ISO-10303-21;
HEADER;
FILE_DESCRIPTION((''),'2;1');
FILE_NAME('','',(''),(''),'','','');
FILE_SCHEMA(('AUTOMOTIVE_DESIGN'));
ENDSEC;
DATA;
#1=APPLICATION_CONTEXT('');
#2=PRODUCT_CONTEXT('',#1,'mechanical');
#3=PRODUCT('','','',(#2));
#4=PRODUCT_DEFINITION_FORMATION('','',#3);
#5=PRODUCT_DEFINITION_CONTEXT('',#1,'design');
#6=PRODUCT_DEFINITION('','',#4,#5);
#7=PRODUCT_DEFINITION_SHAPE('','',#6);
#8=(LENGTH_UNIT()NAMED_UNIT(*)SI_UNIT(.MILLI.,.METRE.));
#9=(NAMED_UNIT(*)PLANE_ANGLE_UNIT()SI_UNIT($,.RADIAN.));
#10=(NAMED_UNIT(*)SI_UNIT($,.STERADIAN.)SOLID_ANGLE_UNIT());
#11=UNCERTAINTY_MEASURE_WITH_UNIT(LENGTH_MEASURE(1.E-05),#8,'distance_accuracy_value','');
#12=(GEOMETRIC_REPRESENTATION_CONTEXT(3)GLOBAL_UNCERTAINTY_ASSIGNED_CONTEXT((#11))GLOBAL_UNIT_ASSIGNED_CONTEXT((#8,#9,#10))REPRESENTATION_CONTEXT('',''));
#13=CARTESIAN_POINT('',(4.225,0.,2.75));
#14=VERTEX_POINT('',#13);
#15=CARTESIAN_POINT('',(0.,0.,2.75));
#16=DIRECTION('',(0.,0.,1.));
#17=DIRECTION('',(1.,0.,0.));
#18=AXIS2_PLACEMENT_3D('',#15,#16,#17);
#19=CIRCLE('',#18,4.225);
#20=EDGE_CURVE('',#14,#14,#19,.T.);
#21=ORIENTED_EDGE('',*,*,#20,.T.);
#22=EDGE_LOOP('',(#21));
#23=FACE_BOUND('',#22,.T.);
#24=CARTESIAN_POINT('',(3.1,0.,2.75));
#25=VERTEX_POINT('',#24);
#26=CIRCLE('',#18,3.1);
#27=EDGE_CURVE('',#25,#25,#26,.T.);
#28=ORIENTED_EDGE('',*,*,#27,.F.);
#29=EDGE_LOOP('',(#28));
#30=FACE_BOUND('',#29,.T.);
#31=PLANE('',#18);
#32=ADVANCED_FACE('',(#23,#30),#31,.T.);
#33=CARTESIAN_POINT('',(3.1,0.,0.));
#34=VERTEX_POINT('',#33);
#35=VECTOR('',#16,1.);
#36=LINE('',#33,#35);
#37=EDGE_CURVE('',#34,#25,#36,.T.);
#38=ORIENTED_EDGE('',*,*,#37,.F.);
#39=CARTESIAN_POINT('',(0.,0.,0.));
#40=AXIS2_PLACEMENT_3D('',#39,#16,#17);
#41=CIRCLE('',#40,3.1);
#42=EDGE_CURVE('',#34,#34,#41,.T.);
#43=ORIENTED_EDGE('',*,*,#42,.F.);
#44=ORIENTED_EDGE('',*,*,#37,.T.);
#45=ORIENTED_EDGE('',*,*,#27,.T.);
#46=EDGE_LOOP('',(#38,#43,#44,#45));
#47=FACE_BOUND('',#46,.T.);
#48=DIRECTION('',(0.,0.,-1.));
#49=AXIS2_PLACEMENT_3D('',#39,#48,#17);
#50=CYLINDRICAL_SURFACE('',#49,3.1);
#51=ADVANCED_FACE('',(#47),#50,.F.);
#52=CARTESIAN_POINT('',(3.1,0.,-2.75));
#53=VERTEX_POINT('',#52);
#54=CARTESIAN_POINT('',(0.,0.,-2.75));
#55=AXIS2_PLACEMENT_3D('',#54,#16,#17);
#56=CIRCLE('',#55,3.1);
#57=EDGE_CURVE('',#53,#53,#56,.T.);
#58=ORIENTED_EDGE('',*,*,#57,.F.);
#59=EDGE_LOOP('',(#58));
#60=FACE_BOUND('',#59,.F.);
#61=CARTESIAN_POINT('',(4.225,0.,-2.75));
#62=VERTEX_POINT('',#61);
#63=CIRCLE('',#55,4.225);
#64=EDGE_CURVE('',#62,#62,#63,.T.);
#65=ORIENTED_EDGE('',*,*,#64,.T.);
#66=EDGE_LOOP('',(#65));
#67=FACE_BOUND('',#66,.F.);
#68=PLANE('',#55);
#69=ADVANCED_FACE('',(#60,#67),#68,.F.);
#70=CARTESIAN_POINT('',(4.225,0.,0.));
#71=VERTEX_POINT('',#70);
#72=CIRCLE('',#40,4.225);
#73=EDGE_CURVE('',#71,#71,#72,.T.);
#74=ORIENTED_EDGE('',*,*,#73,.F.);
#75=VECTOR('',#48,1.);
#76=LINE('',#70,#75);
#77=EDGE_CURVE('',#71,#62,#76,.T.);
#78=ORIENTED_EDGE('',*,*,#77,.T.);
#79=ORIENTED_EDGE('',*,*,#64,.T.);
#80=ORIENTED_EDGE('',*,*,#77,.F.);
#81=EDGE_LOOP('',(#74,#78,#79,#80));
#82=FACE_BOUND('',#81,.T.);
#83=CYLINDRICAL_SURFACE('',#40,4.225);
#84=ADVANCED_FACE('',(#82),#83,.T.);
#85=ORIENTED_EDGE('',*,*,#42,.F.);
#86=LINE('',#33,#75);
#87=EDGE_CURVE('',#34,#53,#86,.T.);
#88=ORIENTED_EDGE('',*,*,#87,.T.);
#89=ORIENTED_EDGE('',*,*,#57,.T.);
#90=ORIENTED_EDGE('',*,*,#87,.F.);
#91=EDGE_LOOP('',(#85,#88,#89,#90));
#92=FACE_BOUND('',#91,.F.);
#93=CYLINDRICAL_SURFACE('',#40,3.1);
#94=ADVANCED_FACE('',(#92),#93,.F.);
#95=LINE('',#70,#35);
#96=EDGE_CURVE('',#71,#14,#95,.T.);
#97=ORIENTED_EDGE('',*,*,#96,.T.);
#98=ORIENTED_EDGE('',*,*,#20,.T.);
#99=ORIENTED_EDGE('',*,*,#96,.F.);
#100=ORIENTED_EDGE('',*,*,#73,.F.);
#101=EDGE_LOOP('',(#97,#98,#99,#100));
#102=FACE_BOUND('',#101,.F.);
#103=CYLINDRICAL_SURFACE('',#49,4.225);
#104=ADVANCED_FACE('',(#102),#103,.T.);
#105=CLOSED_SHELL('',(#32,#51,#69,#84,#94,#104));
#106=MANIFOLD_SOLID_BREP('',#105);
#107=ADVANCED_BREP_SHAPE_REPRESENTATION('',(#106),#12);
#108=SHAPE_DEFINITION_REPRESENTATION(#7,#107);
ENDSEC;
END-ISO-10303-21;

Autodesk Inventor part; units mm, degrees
ref_plane "YZ Plane" through (0, 0, 0) normal (1, 0, 0) x (0, 1, 0)
ref_plane "XZ Plane" through (0, 0, 0) normal (0, 1, 0) x (-1, 0, 0)
ref_plane "XY Plane" through (0, 0, 0) normal (0, 0, 1) x (1, 0, 0)
sketch "Sketch1" plane through (0, 0, 0) normal (0, 0, 1) x (1, 0, 0)
  circle A0 centre (0, 0) radius 4.225
  circle A1 centre (0, 0) radius 3.1
  dimension "d0" = 8.45
  dimension "d2" = 6.2
extrude "Extrusion1" add sketch "Sketch1" along normal mid plane 5.5
properties part number "washer_3DPrint"
